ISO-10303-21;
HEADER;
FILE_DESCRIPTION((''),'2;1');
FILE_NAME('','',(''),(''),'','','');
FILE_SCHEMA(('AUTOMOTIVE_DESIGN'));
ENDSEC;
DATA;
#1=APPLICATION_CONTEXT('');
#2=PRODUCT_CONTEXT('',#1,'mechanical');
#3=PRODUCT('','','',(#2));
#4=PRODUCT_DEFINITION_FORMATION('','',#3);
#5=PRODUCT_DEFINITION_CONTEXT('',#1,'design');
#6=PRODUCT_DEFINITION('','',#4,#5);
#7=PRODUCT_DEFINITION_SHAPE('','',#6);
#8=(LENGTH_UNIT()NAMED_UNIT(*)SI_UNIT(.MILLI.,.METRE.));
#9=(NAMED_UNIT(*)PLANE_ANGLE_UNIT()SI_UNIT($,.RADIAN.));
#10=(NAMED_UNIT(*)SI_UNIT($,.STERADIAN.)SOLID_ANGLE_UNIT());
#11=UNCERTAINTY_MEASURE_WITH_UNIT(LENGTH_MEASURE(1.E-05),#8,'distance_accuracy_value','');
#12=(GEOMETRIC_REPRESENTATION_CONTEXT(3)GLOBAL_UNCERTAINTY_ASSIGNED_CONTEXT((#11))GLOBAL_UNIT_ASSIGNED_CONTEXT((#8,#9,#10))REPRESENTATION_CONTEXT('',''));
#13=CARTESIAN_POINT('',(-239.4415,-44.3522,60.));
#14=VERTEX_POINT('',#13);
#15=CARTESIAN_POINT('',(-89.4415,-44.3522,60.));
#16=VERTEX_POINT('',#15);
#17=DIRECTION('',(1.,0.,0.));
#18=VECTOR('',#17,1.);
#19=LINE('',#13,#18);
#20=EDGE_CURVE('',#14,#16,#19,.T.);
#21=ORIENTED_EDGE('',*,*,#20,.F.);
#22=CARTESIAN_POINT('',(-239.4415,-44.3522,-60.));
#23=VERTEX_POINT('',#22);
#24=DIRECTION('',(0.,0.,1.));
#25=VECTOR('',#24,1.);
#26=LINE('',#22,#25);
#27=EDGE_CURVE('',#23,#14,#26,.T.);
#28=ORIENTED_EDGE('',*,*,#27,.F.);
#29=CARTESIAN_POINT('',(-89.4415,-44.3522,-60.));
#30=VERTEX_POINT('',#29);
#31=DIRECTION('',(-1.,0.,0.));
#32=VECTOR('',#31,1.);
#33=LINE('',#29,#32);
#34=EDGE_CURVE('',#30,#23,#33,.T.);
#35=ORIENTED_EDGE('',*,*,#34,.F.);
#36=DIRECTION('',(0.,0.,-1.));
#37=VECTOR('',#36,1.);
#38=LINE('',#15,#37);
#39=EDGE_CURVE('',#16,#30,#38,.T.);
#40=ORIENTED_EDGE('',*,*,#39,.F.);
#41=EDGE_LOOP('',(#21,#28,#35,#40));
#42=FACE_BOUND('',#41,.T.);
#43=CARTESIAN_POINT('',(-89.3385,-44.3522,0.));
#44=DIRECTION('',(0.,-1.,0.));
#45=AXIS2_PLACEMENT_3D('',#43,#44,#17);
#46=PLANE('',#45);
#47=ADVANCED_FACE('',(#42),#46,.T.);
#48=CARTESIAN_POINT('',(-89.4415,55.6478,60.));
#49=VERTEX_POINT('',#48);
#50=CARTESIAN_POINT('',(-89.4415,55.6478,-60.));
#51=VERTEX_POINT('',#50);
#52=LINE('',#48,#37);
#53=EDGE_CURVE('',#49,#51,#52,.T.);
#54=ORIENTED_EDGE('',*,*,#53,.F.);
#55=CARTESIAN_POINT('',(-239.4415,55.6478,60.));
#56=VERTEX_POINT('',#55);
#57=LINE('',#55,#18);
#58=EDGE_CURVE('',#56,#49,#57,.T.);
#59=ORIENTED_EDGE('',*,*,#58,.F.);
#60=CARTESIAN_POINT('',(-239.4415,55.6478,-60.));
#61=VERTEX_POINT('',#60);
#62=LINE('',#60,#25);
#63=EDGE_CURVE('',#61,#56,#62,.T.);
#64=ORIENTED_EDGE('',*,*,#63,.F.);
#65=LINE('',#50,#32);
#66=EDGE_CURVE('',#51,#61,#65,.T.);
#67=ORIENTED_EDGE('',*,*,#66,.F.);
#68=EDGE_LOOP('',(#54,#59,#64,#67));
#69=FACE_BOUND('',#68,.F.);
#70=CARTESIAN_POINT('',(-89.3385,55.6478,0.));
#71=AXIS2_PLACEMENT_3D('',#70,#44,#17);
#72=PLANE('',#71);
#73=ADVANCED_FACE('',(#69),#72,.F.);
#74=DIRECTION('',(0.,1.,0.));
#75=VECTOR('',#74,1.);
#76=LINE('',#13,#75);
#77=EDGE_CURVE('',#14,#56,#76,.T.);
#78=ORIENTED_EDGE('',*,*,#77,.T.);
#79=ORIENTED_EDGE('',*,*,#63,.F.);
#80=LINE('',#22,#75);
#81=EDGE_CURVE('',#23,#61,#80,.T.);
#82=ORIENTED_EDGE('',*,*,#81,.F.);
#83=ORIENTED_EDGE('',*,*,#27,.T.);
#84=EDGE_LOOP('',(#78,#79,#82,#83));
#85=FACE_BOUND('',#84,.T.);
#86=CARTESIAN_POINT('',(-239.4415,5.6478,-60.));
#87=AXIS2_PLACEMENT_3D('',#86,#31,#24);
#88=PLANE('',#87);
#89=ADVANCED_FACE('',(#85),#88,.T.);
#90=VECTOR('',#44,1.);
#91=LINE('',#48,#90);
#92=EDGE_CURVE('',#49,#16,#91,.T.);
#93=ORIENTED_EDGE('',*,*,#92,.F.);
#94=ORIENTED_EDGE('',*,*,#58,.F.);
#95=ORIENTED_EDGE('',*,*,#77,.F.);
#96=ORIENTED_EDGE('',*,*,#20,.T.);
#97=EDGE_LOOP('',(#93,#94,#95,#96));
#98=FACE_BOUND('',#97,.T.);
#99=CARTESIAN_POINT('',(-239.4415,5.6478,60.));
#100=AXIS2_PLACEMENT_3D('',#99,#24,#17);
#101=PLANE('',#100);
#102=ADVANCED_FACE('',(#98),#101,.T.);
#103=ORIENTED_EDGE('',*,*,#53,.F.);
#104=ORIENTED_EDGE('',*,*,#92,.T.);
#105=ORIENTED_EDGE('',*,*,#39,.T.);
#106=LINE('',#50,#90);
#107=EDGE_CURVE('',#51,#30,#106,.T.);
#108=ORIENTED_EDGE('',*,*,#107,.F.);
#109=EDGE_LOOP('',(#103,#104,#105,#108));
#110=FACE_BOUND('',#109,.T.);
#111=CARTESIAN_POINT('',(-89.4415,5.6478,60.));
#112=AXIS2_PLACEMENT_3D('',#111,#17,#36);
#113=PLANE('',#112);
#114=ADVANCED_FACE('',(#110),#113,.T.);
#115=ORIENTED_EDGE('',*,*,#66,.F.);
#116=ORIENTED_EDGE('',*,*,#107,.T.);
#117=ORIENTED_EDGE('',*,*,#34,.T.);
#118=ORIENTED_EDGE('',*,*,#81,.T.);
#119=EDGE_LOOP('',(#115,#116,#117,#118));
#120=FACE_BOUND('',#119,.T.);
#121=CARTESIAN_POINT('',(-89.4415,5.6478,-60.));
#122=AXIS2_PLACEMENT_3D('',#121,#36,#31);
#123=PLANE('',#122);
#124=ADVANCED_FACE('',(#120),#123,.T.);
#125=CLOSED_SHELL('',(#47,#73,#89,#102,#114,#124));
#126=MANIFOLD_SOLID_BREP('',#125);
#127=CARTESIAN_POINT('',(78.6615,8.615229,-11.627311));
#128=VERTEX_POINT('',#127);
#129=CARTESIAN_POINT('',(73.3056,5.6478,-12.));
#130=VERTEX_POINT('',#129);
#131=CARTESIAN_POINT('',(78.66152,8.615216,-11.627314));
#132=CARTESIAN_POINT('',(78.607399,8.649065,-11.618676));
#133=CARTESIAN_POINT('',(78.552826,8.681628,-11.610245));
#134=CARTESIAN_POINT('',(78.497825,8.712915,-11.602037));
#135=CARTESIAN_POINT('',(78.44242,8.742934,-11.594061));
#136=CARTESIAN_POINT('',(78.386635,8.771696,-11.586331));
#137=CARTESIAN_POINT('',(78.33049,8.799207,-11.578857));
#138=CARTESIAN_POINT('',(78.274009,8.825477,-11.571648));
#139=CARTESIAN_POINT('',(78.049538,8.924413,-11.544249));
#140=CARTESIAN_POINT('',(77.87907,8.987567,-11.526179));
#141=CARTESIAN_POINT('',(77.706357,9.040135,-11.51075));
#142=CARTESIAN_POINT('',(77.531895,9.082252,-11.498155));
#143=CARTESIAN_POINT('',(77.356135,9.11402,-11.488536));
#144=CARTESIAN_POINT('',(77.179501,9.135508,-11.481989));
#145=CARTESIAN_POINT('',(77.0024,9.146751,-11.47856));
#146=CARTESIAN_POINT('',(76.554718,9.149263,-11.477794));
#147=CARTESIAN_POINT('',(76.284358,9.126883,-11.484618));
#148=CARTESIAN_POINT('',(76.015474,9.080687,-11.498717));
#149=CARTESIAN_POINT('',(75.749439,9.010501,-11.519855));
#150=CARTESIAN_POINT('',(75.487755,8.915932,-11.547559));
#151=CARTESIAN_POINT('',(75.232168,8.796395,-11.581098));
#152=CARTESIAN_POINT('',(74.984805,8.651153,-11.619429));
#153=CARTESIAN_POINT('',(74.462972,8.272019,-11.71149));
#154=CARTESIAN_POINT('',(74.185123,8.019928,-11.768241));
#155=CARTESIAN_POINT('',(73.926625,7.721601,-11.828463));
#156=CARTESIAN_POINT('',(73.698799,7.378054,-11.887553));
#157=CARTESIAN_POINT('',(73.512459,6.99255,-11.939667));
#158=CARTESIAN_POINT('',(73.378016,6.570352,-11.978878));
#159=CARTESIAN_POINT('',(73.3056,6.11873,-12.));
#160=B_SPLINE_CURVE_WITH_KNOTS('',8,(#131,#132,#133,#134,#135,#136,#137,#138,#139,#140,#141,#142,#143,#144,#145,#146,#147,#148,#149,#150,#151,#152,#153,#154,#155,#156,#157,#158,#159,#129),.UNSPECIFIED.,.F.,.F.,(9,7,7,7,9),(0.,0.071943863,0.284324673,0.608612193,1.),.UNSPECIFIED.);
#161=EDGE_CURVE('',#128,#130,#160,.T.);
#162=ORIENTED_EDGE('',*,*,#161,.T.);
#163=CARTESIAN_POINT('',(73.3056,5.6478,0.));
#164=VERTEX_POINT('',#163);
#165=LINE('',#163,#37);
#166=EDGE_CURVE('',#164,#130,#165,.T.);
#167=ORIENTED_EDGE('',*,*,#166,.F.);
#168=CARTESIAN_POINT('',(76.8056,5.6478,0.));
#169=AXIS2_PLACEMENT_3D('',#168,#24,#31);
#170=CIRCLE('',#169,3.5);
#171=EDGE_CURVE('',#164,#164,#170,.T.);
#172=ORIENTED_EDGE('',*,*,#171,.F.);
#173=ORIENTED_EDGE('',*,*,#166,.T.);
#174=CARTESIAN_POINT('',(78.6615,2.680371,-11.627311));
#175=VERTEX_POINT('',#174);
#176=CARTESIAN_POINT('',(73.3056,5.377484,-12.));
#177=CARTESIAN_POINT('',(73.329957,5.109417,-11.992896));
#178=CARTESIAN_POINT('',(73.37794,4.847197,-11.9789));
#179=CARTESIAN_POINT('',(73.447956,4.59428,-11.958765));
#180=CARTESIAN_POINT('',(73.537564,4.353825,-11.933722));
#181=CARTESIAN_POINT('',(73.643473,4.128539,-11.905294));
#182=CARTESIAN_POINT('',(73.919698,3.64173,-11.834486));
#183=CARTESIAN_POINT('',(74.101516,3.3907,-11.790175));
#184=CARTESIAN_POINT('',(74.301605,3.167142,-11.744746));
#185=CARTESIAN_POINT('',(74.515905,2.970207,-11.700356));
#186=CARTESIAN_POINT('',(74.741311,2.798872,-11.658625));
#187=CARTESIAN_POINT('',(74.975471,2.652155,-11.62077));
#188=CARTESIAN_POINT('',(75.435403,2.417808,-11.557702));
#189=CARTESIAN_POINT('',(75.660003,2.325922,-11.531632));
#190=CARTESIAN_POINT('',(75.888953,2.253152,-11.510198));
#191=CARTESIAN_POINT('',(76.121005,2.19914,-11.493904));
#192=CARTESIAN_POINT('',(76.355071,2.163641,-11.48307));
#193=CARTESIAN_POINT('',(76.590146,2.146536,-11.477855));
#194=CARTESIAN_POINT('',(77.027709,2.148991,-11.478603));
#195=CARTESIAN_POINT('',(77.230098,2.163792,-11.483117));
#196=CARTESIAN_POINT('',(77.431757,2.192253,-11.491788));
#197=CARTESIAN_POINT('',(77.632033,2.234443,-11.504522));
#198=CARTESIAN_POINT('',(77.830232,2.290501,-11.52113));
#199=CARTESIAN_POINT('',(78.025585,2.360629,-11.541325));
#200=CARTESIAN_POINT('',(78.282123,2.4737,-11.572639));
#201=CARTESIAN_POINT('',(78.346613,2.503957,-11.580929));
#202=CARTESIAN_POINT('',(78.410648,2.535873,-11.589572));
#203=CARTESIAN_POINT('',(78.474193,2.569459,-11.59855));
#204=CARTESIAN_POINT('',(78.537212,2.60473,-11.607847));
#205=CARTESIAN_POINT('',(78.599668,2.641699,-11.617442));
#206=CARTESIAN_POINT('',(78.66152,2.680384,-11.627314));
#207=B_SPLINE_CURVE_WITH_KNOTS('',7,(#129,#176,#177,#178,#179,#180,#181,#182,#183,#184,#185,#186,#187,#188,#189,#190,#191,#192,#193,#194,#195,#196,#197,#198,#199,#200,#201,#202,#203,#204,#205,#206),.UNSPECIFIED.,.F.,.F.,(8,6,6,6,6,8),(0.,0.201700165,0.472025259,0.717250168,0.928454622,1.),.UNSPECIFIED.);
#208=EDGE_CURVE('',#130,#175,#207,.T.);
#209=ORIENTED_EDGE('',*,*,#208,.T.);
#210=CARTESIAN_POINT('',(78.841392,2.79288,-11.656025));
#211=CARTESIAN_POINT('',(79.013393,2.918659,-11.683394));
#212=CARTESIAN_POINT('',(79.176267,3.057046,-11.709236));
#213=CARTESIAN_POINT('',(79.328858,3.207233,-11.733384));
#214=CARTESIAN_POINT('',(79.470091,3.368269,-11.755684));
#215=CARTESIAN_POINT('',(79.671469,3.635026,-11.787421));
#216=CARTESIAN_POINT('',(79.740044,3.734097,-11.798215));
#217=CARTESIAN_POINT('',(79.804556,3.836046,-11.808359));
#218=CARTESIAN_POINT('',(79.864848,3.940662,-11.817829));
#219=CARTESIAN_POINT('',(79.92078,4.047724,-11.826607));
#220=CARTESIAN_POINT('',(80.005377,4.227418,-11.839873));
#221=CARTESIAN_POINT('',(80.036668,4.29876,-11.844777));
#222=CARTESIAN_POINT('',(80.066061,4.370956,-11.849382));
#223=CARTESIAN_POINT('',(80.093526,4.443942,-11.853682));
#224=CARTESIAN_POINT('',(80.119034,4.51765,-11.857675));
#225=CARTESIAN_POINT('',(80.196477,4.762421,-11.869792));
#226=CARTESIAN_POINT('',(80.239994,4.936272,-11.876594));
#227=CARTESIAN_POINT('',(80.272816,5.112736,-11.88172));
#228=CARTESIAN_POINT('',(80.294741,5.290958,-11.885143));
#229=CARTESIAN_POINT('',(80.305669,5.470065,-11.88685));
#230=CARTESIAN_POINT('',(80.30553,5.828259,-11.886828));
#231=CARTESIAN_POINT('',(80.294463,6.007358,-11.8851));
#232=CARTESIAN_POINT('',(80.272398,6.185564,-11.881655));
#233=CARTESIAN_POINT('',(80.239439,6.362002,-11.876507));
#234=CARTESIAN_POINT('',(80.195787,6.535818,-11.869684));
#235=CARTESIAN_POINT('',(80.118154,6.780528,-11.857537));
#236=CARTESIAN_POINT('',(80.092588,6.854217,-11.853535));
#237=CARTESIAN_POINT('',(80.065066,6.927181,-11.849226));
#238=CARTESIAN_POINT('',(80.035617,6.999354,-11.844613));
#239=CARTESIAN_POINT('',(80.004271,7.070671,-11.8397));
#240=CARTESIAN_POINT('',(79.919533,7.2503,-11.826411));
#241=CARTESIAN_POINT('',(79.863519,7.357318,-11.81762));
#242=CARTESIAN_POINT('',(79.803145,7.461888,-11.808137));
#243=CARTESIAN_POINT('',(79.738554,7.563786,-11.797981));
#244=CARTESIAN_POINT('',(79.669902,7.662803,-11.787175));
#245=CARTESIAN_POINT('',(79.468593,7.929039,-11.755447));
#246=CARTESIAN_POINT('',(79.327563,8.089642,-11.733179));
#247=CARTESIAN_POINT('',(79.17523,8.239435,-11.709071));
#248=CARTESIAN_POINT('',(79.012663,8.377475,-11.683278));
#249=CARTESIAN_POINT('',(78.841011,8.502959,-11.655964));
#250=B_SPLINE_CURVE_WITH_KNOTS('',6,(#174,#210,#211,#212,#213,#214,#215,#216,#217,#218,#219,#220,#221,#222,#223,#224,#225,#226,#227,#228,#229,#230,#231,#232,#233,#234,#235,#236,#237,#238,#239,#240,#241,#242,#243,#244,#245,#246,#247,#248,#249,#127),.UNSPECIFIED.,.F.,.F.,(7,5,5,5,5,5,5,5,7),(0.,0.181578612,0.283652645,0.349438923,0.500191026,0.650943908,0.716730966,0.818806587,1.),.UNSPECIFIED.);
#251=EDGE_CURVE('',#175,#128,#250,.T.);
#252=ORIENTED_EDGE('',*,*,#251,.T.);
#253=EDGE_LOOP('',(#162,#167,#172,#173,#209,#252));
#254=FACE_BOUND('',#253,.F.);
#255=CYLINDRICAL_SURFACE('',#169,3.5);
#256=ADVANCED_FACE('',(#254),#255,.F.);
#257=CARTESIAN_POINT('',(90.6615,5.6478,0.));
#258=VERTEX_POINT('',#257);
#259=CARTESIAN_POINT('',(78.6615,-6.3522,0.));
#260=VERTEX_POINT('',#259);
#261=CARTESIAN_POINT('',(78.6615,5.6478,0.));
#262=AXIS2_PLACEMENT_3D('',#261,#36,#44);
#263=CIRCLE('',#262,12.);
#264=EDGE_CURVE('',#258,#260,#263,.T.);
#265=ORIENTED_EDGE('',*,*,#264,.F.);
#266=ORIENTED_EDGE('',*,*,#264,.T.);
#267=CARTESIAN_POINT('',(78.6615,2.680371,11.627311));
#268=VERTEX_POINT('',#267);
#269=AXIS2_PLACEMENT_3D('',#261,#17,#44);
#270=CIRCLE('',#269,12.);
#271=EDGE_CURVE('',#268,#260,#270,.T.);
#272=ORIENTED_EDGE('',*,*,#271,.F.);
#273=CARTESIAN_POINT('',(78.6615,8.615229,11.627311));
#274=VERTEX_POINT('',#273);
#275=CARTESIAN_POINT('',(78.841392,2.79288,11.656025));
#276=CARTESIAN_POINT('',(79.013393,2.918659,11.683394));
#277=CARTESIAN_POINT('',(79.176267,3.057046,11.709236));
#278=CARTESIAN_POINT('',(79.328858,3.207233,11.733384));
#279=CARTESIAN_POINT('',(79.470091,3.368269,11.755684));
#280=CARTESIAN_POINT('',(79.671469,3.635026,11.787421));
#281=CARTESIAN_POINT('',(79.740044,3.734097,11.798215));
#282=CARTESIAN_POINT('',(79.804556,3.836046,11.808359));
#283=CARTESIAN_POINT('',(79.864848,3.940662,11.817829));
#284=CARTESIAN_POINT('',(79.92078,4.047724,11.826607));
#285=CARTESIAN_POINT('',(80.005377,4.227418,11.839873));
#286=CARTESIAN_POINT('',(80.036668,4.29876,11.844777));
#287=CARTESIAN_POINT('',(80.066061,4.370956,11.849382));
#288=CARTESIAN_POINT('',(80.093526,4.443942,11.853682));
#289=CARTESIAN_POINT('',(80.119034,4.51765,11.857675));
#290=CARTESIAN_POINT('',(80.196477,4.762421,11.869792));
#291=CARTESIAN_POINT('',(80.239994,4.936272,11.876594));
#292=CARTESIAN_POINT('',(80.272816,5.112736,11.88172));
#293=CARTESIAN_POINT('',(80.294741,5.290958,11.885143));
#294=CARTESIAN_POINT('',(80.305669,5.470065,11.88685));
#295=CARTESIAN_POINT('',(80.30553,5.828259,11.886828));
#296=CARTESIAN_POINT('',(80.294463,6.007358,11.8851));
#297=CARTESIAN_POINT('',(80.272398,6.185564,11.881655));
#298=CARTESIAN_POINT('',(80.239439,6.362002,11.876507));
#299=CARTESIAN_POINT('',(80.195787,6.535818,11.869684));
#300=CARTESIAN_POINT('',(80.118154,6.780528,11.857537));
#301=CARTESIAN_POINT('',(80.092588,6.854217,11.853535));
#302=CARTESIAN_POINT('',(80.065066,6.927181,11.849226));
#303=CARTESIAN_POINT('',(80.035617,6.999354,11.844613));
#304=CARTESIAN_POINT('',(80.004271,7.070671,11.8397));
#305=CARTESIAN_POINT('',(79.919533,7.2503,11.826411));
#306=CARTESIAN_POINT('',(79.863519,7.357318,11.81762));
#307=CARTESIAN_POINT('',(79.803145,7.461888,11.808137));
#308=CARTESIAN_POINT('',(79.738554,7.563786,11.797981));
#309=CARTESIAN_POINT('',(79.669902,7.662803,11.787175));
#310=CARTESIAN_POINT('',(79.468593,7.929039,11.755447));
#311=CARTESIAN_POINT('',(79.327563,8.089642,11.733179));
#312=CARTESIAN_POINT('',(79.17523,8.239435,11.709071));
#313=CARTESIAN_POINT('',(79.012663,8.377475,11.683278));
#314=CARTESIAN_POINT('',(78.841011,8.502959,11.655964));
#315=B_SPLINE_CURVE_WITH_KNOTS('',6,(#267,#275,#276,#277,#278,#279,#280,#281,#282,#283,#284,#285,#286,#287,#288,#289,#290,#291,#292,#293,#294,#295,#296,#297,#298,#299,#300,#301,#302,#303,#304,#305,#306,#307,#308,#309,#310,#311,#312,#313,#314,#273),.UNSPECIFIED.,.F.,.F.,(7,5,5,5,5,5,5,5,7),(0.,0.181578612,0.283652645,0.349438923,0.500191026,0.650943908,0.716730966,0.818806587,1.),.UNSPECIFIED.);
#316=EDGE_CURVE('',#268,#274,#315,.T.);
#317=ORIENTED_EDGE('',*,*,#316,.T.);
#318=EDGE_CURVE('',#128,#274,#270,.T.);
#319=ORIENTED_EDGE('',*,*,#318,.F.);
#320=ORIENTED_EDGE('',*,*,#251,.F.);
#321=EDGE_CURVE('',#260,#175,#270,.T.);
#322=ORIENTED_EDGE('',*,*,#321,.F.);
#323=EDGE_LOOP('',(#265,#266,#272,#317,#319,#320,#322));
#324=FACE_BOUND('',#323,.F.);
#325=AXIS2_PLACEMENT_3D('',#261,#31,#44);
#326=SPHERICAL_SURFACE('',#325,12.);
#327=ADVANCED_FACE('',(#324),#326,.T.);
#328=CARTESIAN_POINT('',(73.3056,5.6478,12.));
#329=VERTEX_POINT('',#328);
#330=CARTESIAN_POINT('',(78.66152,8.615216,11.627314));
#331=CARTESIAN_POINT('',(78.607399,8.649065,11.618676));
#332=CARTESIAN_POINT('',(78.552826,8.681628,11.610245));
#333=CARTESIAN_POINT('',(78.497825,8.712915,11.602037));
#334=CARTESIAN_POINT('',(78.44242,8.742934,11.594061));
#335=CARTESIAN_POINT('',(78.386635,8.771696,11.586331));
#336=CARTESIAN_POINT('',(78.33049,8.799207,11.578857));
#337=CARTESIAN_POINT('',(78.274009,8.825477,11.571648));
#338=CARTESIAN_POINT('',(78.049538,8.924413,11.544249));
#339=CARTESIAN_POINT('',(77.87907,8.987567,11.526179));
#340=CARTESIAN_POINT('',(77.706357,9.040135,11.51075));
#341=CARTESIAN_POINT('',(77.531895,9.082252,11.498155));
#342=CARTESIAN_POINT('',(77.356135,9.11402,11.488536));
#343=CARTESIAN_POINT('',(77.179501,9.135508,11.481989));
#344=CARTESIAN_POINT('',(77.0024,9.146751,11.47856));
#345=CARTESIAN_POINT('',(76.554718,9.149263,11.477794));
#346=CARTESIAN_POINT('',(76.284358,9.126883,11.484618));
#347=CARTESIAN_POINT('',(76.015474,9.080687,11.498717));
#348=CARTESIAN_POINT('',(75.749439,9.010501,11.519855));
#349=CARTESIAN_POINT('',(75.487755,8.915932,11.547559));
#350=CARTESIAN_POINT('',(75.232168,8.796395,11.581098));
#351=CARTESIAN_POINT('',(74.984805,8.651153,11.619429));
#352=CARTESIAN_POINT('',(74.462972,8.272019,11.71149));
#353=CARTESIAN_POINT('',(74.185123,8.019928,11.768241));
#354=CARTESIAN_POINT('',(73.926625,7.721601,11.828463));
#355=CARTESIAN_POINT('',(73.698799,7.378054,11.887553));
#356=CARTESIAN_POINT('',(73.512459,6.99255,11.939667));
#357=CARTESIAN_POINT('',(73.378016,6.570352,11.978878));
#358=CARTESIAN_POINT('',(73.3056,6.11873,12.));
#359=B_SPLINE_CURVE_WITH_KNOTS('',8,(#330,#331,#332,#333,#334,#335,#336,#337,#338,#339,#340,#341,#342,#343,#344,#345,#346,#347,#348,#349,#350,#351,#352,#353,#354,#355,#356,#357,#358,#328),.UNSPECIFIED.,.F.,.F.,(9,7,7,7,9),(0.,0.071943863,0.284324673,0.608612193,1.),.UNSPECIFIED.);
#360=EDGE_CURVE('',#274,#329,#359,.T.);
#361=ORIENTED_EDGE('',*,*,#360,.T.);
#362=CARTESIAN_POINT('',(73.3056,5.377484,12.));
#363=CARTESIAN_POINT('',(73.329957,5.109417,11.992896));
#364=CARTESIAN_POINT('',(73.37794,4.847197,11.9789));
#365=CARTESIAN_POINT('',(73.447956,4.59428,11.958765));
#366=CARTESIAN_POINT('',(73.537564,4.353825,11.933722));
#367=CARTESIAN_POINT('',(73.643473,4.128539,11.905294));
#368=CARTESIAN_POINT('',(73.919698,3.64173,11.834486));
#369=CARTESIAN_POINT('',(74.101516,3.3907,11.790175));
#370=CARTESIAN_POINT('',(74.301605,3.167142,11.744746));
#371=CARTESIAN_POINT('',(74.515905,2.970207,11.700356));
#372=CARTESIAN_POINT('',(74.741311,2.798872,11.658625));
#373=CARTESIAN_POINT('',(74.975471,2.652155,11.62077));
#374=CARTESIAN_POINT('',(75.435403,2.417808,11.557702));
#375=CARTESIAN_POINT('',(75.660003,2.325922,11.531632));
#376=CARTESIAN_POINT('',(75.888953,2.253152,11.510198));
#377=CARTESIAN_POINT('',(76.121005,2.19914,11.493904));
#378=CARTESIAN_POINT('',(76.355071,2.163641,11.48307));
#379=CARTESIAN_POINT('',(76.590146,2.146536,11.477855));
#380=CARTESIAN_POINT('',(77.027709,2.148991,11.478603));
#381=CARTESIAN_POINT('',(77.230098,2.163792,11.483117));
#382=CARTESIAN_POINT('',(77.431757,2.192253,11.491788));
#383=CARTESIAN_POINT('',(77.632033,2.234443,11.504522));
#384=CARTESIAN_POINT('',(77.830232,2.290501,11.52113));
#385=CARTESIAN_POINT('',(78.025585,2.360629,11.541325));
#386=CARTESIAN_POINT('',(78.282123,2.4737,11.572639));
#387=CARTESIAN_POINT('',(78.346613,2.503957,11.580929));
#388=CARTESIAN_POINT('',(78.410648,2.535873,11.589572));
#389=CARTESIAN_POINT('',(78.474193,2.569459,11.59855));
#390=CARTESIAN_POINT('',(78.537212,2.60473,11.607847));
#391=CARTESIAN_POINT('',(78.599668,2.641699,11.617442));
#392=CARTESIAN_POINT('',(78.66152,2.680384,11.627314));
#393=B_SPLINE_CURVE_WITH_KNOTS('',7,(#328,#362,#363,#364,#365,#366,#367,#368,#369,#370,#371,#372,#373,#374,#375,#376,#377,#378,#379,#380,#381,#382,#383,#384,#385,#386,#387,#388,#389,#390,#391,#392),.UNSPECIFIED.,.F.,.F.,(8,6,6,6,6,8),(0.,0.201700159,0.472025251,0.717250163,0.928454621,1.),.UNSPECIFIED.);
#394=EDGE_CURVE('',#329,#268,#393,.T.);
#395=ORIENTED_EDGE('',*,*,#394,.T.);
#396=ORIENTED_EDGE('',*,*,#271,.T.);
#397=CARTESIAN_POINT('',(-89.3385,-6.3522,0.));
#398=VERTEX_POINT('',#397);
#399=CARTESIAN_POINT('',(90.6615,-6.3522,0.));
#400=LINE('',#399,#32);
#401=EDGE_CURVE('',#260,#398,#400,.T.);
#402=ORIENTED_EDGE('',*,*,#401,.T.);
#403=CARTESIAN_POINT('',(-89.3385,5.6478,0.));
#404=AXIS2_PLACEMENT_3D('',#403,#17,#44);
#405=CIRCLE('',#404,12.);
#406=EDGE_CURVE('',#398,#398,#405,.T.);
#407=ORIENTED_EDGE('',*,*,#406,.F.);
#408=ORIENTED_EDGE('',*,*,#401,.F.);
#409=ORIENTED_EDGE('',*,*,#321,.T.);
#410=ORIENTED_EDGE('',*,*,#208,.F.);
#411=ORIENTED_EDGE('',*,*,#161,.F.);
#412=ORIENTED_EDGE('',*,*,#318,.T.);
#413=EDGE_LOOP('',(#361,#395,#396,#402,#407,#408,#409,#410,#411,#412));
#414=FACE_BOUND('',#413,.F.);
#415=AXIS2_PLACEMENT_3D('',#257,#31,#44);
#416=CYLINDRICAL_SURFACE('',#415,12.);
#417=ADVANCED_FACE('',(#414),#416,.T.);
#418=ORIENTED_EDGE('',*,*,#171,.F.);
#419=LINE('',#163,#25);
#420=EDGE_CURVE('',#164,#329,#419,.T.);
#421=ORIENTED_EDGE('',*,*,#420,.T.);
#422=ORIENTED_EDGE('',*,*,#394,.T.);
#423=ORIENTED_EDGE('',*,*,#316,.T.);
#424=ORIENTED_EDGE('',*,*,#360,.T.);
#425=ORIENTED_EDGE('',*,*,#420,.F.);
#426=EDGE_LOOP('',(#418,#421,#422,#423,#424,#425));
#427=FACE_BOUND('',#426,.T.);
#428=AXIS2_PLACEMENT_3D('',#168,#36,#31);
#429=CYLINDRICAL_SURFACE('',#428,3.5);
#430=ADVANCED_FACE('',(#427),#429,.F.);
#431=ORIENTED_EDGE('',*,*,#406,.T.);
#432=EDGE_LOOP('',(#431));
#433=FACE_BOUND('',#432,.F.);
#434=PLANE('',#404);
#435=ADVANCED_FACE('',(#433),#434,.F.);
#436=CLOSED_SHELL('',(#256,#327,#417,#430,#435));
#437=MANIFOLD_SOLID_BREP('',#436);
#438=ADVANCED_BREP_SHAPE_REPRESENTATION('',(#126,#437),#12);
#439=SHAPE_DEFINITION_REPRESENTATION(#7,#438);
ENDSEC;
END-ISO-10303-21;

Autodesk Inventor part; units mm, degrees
ref_plane "YZ Plane" through (0, 0, 0) normal (1, 0, 0) x (0, 1, 0)
ref_plane "XZ Plane" through (0, 0, 0) normal (0, 1, 0) x (-1, 0, 0)
ref_plane "XY Plane" through (0, 0, 0) normal (0, 0, 1) x (1, 0, 0)
sketch "Sketch1" plane through (0, 0, 0) normal (0, 0, 1) x (1, 0, 0)
  line L0 (-89.3385, 5.6478) -> (90.6615, 5.6478)
  line L1 (90.6615, 5.6478) -> (90.6615, -6.3522)
  line L2 (90.6615, -6.3522) -> (-89.3385, -6.3522)
  line L3 (-89.3385, -6.3522) -> (-89.3385, 5.6478)
  point P0 (0, 0)
  dimension "d0" = 180
  dimension "d1" = 12
revolve "Revolution1" add sketch "Sketch1" angle 360 about axis through (-89.3385, 5.6478, 0) along (1, 0, 0)
sketch "Sketch2" plane through (90.6615, 5.6478, 0) normal (1, 0, 0) x (0, 0, -1)
  point P0 (0, -5.6478)
fillet "Fillet1" radius 12 1 edges at (90.6615, 17.6478, 0)
sketch "Sketch3" plane through (-89.3385, 5.6478, 0) normal (-1, 0, 0) x (0, 0, 1)
  point P0 (0, -5.6478)
sketch "Sketch4" plane through (78.6615, 5.6478, 0) normal (0, 0, 1) x (-1, 0, 0)
  circle A0 centre (1.8559, 0) radius 3.5
  point P0 (0, 0)
  dimension "d10" = 7
extrude "Extrusion1" cut sketch "Sketch4" along normal mid plane 80
sketch "Sketch5" plane through (-89.3385, 5.6478, 0) normal (0, -1, 0) x (1, 0, 0)
  line L0 (-0.103, -60) -> (-150.103, -60)
  line L1 (-150.103, -60) -> (-150.103, 60)
  line L2 (-150.103, 60) -> (-0.103, 60)
  line L3 (-0.103, 60) -> (-0.103, -60)
  point P0 (0, 0)
  dimension "d19" = 120
  dimension "d20" = 150
  dimension "d21" = 60
extrude "Extrusion2" add sketch "Sketch5" along normal mid plane 100
properties part number "Piston Model"
